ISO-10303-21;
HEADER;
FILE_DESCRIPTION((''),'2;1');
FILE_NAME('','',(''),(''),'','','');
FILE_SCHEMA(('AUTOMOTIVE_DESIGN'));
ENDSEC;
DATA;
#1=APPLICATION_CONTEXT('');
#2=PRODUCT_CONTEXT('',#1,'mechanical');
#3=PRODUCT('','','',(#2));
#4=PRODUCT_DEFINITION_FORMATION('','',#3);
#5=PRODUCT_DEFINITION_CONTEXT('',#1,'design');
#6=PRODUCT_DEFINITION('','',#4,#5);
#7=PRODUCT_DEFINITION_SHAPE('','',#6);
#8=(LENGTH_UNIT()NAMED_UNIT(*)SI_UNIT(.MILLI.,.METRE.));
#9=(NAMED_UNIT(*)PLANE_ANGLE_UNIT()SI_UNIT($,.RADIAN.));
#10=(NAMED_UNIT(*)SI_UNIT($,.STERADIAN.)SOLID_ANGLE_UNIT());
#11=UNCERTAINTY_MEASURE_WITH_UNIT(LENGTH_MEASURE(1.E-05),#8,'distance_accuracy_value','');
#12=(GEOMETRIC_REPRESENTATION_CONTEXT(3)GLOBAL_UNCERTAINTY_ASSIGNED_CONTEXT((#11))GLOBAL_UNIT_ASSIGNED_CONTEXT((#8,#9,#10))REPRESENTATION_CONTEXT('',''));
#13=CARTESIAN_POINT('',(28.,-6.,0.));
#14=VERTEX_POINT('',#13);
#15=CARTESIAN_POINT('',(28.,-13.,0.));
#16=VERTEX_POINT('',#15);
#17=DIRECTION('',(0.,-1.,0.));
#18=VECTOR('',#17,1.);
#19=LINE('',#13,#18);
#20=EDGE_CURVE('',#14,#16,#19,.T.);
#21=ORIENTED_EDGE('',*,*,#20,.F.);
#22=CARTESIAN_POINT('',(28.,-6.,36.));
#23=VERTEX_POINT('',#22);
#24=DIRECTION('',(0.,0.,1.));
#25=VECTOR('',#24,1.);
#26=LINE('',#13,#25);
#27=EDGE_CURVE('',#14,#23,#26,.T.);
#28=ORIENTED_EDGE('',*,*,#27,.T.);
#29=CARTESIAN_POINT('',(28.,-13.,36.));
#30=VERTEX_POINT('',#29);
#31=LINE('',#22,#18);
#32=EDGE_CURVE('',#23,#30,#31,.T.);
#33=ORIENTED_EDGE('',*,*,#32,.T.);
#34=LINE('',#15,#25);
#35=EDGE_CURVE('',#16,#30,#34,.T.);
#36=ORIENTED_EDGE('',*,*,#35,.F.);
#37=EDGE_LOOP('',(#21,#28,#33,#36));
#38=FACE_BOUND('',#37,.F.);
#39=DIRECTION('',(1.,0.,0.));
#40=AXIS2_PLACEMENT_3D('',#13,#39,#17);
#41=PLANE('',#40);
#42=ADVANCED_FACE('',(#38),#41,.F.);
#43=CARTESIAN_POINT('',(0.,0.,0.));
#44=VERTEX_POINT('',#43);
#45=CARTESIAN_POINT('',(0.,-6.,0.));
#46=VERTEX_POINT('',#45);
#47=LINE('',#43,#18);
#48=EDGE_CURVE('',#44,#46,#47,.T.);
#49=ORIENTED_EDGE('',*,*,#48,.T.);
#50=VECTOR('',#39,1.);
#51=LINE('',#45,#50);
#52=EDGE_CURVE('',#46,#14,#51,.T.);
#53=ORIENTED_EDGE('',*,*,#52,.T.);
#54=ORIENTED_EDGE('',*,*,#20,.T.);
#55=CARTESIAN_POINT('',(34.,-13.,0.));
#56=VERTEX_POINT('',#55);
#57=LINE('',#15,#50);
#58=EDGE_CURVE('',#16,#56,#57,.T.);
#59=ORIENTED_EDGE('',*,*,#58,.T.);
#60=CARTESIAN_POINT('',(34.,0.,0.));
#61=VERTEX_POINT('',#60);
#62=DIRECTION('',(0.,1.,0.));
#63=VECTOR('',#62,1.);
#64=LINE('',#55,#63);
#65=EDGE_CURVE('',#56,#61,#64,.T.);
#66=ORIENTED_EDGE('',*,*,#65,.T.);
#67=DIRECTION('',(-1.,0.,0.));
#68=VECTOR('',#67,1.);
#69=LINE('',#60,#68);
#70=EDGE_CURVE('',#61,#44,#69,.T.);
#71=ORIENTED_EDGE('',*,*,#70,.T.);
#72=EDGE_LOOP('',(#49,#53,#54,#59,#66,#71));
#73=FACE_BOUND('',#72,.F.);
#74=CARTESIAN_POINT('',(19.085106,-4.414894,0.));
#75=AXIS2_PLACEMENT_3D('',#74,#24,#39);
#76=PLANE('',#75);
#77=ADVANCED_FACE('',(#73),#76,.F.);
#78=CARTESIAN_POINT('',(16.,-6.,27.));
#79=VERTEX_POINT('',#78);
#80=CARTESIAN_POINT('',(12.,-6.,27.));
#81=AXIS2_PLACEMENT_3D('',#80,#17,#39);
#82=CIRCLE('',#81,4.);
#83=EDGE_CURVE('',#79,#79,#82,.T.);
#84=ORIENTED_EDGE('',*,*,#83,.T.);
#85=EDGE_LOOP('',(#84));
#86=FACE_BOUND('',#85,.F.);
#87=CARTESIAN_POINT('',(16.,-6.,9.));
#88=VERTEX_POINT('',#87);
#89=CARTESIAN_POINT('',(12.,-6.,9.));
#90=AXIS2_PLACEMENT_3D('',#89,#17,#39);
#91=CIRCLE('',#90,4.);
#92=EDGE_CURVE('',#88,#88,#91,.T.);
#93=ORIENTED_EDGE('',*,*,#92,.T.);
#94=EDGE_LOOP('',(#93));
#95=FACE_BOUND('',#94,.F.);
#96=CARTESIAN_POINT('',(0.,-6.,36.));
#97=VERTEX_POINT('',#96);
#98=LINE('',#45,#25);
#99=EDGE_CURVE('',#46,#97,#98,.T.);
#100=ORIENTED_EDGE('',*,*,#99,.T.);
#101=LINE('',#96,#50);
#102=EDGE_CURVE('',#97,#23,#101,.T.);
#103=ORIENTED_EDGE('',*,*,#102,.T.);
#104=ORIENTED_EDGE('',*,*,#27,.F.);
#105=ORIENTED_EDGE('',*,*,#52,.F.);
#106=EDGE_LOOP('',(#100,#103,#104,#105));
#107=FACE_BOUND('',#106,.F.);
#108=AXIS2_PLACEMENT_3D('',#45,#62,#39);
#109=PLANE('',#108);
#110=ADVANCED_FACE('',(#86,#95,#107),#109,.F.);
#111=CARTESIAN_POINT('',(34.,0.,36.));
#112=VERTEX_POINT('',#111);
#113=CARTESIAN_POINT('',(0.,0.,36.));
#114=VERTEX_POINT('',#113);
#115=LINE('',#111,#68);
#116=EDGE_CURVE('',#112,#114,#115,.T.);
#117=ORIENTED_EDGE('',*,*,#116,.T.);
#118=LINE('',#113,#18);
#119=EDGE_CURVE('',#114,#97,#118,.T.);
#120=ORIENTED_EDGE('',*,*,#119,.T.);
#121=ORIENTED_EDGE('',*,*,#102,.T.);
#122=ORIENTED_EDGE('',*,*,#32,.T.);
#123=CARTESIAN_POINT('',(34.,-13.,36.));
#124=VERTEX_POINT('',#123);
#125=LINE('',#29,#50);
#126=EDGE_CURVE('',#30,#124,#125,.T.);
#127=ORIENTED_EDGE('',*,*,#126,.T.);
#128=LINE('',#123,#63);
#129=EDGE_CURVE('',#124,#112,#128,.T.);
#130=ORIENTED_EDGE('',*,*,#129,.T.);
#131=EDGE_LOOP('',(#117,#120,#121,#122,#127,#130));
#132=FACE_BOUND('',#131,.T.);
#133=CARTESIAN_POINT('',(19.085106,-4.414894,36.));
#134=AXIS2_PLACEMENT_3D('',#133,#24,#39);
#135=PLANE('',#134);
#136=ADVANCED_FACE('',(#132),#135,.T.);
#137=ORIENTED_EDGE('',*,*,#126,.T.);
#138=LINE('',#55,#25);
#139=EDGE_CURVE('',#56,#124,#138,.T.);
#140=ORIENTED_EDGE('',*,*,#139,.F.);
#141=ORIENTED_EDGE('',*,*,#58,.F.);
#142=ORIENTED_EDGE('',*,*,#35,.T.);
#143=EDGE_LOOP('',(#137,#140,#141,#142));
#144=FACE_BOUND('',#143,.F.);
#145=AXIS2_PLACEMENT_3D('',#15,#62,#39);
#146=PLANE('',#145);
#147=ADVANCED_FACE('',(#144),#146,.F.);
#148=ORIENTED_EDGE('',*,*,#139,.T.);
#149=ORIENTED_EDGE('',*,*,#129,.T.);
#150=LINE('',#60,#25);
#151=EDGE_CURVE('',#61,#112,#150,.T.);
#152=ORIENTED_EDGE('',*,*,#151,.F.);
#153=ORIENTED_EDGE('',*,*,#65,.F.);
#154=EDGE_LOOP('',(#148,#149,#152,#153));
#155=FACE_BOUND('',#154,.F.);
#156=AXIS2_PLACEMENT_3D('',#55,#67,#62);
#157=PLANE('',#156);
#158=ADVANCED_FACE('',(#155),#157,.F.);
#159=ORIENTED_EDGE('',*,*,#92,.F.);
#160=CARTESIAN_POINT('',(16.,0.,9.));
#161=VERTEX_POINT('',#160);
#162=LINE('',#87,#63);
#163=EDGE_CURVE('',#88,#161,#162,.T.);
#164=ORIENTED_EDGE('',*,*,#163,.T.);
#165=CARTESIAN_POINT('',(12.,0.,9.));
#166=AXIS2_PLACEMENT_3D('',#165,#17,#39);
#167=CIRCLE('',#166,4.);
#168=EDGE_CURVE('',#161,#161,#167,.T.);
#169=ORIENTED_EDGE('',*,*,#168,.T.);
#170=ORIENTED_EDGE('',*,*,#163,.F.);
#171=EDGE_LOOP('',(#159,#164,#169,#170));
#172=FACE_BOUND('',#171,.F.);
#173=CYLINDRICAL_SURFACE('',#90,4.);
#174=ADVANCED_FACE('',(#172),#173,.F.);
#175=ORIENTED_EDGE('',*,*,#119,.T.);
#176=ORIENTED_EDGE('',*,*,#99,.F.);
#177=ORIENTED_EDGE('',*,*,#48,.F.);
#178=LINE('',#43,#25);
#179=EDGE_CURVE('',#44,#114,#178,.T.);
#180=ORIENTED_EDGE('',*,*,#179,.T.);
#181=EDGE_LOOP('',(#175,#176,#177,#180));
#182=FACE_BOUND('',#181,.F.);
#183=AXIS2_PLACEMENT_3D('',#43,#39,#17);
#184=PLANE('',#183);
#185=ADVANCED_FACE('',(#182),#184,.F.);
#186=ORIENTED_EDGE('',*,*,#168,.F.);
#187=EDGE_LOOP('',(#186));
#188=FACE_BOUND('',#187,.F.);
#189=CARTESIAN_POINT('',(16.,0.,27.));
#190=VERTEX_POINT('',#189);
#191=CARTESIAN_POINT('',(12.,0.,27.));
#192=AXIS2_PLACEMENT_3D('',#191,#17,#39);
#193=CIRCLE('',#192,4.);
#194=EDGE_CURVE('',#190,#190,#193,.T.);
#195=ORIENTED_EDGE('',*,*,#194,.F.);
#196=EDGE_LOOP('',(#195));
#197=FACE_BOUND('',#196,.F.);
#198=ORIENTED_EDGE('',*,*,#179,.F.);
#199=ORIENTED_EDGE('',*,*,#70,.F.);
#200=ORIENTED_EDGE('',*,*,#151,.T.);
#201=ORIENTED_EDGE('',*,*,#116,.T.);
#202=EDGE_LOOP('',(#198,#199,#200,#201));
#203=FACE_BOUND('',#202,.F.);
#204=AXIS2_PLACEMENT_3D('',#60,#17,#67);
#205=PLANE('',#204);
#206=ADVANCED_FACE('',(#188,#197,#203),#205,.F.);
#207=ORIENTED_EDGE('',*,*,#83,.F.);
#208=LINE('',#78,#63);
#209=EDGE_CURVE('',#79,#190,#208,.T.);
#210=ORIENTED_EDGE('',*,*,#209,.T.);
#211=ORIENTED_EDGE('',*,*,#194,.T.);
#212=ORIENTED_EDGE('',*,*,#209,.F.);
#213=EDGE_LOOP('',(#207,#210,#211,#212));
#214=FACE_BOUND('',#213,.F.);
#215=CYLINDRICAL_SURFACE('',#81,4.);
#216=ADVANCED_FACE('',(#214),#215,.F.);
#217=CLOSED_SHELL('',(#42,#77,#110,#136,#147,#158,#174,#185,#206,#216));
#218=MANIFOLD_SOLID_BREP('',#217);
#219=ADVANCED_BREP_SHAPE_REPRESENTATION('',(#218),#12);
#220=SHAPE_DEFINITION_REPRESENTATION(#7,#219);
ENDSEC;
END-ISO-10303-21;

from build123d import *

# Parameters (mm, degrees)
F1_DEPTH = 36
F2_R     = 4
F3_DEPTH = 25


with BuildPart() as f1:
    # F0 (on Top) → F1 (new body)
    with BuildSketch(Plane.XY):
        Polygon((34, 0), (0, 0), (0, -6), (28, -6), (28, -13), (34, -13), align=None)
    extrude(amount=F1_DEPTH)

    # F2 (on face) → F3 (cut)
    with BuildSketch(Plane.XZ.offset(6)):
        with Locations((12, 27)):
            Circle(F2_R)
        with Locations((12, 9)):
            Circle(F2_R)
    extrude(amount=-F3_DEPTH, mode=Mode.SUBTRACT)


solid = f1.part
